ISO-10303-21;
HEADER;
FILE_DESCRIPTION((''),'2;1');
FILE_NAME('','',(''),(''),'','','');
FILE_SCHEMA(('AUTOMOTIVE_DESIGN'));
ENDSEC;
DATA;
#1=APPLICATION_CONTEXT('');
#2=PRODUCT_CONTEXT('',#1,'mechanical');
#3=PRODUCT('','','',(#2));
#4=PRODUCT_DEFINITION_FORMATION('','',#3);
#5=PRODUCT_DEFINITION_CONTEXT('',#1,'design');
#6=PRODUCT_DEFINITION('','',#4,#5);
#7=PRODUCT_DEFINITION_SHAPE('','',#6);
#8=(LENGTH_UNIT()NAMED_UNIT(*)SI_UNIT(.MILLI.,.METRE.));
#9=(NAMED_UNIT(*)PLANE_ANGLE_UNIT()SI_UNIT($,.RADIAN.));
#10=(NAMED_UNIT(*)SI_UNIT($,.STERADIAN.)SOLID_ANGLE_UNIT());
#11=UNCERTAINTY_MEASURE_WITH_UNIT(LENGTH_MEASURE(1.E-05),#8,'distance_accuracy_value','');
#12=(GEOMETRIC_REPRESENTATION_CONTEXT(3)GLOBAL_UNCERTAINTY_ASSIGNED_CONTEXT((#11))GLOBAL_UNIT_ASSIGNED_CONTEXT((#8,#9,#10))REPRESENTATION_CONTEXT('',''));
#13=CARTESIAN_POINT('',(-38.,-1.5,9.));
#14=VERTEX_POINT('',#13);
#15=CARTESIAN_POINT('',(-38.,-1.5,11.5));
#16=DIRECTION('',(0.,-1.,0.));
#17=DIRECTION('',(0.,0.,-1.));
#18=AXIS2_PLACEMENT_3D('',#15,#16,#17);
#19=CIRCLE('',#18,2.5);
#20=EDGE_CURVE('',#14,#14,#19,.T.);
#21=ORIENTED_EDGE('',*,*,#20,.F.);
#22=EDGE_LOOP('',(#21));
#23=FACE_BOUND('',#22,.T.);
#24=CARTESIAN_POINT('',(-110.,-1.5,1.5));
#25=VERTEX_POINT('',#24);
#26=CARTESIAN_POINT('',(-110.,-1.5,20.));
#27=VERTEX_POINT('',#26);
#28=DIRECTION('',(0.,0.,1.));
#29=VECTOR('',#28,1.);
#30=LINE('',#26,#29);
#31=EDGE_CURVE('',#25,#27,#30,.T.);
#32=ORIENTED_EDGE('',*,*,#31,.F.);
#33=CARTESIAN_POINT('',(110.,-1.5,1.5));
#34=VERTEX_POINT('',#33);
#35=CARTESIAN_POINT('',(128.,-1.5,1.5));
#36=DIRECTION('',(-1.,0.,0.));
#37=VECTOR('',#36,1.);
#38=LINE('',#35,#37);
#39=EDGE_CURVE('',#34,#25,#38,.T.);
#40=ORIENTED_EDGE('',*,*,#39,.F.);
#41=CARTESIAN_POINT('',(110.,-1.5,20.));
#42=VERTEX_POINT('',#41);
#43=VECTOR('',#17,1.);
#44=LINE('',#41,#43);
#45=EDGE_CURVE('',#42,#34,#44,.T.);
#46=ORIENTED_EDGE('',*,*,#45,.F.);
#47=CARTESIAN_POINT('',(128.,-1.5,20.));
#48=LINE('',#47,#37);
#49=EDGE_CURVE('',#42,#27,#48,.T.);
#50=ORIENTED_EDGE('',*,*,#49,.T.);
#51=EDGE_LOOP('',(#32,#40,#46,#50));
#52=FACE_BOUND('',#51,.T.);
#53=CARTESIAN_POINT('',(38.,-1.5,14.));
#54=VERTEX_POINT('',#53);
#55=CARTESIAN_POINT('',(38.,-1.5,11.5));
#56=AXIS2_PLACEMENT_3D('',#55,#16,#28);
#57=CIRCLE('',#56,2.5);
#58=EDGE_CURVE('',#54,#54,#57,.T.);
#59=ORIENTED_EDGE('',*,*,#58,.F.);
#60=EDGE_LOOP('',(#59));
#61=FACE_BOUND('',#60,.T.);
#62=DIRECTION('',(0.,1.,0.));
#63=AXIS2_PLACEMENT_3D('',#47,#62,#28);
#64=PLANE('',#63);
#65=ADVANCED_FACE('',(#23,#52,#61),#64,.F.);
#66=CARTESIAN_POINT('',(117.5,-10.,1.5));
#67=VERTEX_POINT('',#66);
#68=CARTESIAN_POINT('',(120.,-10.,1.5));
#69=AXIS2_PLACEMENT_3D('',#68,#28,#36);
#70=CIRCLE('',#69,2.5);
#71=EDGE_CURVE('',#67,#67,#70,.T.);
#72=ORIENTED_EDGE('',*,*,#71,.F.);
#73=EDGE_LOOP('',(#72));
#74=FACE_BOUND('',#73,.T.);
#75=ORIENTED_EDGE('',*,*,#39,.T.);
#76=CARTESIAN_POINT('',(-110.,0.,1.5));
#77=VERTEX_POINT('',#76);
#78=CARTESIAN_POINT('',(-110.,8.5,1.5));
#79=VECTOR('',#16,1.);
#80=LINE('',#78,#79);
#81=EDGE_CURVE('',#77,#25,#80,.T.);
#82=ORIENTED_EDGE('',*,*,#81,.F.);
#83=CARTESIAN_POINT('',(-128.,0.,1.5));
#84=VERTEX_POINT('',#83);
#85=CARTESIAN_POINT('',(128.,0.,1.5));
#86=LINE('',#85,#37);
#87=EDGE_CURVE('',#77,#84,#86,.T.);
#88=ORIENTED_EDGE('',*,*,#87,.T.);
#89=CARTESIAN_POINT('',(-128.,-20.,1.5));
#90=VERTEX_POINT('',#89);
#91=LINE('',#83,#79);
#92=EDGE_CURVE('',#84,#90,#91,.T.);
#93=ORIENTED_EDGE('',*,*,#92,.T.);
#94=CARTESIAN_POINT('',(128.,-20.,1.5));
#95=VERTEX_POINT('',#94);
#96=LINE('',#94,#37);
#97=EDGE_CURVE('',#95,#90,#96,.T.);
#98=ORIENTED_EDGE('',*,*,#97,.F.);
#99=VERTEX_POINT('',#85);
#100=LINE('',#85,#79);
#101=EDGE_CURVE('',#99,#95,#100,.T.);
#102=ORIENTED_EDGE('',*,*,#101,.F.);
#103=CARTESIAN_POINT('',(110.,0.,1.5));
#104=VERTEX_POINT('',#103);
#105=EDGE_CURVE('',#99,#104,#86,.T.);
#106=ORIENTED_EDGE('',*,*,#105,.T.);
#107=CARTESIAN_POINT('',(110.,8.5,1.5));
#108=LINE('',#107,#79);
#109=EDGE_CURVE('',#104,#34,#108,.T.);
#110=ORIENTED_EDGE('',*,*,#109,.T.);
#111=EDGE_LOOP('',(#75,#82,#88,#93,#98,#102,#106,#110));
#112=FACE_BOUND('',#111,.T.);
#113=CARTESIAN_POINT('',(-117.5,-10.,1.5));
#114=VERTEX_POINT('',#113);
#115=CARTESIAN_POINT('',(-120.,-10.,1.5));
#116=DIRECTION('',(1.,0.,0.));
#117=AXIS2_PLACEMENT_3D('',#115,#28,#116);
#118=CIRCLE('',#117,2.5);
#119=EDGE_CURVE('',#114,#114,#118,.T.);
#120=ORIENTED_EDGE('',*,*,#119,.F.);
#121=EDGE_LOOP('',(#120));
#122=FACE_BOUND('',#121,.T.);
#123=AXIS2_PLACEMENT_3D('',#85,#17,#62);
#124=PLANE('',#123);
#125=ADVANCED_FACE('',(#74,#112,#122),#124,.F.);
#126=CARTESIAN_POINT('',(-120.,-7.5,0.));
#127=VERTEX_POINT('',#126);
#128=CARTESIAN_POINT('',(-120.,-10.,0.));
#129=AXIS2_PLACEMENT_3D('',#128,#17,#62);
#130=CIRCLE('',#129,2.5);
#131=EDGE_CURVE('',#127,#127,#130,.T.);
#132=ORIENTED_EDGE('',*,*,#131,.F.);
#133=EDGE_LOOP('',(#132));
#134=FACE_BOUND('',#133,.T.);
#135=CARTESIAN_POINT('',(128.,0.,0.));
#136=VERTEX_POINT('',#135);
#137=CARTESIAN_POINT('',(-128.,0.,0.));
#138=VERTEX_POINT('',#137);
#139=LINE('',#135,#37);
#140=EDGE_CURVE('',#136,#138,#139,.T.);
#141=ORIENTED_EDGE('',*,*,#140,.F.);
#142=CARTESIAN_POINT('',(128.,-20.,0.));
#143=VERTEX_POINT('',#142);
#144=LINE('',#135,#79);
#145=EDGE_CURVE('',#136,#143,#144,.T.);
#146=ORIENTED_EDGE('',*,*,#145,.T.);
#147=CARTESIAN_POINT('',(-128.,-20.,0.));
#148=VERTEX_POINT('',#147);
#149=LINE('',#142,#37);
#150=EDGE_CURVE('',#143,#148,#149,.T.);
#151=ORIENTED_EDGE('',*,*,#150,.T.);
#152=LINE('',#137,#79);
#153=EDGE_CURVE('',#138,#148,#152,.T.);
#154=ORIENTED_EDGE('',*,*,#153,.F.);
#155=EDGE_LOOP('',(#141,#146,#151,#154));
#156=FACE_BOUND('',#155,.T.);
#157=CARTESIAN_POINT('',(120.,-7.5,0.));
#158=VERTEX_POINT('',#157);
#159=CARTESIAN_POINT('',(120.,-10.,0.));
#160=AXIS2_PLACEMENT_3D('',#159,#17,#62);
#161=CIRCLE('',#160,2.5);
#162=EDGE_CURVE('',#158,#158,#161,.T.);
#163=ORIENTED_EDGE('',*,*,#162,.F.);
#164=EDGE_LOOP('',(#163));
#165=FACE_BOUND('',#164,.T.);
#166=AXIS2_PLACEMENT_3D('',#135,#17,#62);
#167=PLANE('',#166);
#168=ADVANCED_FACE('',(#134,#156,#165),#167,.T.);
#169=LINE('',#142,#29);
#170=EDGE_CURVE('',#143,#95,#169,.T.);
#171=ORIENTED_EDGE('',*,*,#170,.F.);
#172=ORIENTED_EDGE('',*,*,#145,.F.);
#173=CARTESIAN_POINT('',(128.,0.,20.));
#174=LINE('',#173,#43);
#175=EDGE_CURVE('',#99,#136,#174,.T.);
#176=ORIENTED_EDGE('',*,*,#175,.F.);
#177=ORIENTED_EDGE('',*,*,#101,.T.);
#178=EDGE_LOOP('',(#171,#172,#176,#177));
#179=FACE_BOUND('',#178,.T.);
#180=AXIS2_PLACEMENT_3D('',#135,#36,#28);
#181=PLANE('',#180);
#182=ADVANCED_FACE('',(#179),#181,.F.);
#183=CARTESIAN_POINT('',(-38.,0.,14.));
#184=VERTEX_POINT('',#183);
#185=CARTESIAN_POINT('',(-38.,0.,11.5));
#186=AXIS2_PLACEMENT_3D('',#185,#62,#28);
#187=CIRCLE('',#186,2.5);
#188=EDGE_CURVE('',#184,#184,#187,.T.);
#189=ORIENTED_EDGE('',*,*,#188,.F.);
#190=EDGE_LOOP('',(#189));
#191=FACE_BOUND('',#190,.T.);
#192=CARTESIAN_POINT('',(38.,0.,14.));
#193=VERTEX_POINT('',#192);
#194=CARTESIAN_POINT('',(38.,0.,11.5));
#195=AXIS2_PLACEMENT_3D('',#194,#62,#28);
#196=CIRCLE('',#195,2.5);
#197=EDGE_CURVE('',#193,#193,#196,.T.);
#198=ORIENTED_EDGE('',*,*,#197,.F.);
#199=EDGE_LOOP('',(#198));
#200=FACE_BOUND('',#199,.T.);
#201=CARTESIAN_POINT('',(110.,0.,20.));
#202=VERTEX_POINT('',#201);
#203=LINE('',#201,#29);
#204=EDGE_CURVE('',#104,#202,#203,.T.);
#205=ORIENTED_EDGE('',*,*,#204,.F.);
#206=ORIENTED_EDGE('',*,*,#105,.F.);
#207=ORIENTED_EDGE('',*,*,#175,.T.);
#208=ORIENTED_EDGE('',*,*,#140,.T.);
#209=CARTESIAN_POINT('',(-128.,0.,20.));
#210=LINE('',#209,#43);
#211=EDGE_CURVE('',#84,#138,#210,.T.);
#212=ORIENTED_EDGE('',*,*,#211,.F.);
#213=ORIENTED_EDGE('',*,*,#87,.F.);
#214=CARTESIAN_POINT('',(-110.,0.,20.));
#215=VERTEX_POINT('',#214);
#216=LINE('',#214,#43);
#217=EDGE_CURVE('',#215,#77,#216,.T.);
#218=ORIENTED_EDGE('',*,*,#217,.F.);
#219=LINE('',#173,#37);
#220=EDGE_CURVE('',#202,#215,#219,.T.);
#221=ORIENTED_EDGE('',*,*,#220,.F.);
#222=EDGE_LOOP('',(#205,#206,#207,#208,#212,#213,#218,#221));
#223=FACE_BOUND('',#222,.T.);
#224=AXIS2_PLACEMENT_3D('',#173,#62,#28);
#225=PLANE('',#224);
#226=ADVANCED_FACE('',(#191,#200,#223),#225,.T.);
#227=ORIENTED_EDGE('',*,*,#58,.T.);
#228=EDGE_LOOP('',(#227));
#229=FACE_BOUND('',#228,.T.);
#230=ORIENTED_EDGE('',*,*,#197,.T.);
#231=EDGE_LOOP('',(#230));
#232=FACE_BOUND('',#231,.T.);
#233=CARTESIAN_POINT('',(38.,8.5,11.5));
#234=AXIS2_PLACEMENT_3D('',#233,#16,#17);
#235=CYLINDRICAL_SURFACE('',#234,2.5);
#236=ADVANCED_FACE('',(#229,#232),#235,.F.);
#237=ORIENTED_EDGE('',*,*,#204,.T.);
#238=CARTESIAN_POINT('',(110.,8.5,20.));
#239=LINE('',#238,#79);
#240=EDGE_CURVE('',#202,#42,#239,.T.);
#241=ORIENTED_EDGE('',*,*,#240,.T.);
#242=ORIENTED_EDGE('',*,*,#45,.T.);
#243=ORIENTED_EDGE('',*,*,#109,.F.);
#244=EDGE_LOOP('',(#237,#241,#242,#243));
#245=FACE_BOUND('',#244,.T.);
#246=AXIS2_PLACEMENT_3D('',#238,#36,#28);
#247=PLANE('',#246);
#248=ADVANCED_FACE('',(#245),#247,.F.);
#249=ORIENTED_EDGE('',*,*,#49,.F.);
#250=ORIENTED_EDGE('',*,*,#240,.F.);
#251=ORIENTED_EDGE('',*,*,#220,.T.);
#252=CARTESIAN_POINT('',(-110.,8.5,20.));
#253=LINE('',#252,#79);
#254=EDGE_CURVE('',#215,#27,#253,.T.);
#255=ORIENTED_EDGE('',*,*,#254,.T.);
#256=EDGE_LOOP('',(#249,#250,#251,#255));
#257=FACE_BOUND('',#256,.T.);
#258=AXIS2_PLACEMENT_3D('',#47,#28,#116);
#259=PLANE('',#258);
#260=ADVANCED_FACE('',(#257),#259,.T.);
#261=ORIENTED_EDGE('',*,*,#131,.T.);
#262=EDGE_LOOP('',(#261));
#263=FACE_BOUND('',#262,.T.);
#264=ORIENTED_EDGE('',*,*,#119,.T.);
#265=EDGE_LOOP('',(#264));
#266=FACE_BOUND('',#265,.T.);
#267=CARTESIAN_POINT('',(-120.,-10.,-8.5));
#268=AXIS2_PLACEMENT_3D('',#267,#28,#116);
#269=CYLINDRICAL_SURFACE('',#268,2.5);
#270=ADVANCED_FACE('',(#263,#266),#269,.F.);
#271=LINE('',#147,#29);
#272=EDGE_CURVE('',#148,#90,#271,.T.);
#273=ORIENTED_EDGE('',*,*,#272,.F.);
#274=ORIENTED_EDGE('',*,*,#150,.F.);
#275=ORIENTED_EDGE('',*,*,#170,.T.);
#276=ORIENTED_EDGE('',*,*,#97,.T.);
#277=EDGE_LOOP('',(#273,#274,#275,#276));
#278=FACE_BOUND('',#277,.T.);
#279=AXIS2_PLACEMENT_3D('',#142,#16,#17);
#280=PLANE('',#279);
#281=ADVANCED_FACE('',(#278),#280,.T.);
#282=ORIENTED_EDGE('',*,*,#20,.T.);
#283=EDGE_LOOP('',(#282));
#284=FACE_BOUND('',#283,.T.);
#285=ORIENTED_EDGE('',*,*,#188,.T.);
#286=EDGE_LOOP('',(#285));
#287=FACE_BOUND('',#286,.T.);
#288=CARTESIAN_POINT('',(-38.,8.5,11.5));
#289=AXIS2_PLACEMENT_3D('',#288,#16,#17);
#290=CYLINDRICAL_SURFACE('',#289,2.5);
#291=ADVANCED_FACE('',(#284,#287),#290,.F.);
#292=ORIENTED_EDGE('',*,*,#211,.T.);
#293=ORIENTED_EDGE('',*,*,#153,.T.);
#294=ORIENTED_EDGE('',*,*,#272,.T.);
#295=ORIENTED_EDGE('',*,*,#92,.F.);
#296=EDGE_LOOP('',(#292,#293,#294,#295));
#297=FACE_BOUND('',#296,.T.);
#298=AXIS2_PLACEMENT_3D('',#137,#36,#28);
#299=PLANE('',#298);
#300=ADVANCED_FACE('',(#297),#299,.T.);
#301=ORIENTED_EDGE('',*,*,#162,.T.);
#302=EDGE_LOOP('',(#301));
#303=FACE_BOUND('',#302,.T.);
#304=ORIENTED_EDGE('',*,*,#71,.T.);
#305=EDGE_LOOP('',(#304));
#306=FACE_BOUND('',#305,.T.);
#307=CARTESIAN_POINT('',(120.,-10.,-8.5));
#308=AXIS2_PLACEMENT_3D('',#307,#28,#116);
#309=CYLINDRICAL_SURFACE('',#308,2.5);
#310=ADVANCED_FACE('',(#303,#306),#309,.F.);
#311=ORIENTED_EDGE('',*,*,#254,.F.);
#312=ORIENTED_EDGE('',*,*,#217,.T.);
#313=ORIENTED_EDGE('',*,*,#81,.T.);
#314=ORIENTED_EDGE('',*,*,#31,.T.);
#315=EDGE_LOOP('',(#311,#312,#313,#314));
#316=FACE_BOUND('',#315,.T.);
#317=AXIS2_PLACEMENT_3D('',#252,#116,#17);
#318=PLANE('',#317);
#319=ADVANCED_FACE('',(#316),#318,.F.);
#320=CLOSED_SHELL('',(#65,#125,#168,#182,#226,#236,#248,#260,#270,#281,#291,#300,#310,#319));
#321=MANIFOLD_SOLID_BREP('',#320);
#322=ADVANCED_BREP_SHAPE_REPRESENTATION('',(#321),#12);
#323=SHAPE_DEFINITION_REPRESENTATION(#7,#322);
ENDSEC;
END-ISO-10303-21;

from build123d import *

# Parameters (mm, degrees)
EXTRU_MINCE1_DEPTH      = 128
ESQUISSE2_R             = 2.5
ENL_V_MAT_EXTRU_1_DEPTH = 10
ESQUISSE3_R             = 2.5
ESQUISSE3_W             = 18
ESQUISSE3_H             = 18.5
ENL_V_MAT_EXTRU_2_DEPTH = 10


with BuildPart() as part:
    # Esquisse1 → Extru.-Mince1 (new, symmetric)
    with BuildSketch(Plane(origin=(0, 0, 0), x_dir=(0, 0, -1), z_dir=(1, 0, 0))):
        Polygon((-20, 0), (0, 0), (0, -20), (-1.5, -20), (-1.5, -1.5), (-20, -1.5), align=None)
    extrude(amount=EXTRU_MINCE1_DEPTH, both=True)

    # Esquisse2 → Enlèv. mat.-Extru.1 (cut)
    with BuildSketch(Plane.XY.offset(1.5)):
        with Locations((-120, -10)):
            Circle(ESQUISSE2_R)
        with Locations(Location((120, -10, 0), (0, 0, 90))):
            Circle(ESQUISSE2_R)
    extrude(amount=-ENL_V_MAT_EXTRU_1_DEPTH, mode=Mode.SUBTRACT)

    # Esquisse3 → Enlèv. mat.-Extru.2 (cut)
    with BuildSketch(Plane.XZ.offset(1.5)):
        with Locations(Location((-38, 11.5, 0), (0, 0, 270))):
            Circle(ESQUISSE3_R)
        with Locations(Location((38, 11.5, 0), (0, 0, 90))):
            Circle(ESQUISSE3_R)
        with Locations((-119, 10.75)):
            Rectangle(ESQUISSE3_W, ESQUISSE3_H)
        with Locations((119, 10.75)):
            Rectangle(ESQUISSE3_W, ESQUISSE3_H)
    extrude(amount=-ENL_V_MAT_EXTRU_2_DEPTH, mode=Mode.SUBTRACT)


solid = part.part
